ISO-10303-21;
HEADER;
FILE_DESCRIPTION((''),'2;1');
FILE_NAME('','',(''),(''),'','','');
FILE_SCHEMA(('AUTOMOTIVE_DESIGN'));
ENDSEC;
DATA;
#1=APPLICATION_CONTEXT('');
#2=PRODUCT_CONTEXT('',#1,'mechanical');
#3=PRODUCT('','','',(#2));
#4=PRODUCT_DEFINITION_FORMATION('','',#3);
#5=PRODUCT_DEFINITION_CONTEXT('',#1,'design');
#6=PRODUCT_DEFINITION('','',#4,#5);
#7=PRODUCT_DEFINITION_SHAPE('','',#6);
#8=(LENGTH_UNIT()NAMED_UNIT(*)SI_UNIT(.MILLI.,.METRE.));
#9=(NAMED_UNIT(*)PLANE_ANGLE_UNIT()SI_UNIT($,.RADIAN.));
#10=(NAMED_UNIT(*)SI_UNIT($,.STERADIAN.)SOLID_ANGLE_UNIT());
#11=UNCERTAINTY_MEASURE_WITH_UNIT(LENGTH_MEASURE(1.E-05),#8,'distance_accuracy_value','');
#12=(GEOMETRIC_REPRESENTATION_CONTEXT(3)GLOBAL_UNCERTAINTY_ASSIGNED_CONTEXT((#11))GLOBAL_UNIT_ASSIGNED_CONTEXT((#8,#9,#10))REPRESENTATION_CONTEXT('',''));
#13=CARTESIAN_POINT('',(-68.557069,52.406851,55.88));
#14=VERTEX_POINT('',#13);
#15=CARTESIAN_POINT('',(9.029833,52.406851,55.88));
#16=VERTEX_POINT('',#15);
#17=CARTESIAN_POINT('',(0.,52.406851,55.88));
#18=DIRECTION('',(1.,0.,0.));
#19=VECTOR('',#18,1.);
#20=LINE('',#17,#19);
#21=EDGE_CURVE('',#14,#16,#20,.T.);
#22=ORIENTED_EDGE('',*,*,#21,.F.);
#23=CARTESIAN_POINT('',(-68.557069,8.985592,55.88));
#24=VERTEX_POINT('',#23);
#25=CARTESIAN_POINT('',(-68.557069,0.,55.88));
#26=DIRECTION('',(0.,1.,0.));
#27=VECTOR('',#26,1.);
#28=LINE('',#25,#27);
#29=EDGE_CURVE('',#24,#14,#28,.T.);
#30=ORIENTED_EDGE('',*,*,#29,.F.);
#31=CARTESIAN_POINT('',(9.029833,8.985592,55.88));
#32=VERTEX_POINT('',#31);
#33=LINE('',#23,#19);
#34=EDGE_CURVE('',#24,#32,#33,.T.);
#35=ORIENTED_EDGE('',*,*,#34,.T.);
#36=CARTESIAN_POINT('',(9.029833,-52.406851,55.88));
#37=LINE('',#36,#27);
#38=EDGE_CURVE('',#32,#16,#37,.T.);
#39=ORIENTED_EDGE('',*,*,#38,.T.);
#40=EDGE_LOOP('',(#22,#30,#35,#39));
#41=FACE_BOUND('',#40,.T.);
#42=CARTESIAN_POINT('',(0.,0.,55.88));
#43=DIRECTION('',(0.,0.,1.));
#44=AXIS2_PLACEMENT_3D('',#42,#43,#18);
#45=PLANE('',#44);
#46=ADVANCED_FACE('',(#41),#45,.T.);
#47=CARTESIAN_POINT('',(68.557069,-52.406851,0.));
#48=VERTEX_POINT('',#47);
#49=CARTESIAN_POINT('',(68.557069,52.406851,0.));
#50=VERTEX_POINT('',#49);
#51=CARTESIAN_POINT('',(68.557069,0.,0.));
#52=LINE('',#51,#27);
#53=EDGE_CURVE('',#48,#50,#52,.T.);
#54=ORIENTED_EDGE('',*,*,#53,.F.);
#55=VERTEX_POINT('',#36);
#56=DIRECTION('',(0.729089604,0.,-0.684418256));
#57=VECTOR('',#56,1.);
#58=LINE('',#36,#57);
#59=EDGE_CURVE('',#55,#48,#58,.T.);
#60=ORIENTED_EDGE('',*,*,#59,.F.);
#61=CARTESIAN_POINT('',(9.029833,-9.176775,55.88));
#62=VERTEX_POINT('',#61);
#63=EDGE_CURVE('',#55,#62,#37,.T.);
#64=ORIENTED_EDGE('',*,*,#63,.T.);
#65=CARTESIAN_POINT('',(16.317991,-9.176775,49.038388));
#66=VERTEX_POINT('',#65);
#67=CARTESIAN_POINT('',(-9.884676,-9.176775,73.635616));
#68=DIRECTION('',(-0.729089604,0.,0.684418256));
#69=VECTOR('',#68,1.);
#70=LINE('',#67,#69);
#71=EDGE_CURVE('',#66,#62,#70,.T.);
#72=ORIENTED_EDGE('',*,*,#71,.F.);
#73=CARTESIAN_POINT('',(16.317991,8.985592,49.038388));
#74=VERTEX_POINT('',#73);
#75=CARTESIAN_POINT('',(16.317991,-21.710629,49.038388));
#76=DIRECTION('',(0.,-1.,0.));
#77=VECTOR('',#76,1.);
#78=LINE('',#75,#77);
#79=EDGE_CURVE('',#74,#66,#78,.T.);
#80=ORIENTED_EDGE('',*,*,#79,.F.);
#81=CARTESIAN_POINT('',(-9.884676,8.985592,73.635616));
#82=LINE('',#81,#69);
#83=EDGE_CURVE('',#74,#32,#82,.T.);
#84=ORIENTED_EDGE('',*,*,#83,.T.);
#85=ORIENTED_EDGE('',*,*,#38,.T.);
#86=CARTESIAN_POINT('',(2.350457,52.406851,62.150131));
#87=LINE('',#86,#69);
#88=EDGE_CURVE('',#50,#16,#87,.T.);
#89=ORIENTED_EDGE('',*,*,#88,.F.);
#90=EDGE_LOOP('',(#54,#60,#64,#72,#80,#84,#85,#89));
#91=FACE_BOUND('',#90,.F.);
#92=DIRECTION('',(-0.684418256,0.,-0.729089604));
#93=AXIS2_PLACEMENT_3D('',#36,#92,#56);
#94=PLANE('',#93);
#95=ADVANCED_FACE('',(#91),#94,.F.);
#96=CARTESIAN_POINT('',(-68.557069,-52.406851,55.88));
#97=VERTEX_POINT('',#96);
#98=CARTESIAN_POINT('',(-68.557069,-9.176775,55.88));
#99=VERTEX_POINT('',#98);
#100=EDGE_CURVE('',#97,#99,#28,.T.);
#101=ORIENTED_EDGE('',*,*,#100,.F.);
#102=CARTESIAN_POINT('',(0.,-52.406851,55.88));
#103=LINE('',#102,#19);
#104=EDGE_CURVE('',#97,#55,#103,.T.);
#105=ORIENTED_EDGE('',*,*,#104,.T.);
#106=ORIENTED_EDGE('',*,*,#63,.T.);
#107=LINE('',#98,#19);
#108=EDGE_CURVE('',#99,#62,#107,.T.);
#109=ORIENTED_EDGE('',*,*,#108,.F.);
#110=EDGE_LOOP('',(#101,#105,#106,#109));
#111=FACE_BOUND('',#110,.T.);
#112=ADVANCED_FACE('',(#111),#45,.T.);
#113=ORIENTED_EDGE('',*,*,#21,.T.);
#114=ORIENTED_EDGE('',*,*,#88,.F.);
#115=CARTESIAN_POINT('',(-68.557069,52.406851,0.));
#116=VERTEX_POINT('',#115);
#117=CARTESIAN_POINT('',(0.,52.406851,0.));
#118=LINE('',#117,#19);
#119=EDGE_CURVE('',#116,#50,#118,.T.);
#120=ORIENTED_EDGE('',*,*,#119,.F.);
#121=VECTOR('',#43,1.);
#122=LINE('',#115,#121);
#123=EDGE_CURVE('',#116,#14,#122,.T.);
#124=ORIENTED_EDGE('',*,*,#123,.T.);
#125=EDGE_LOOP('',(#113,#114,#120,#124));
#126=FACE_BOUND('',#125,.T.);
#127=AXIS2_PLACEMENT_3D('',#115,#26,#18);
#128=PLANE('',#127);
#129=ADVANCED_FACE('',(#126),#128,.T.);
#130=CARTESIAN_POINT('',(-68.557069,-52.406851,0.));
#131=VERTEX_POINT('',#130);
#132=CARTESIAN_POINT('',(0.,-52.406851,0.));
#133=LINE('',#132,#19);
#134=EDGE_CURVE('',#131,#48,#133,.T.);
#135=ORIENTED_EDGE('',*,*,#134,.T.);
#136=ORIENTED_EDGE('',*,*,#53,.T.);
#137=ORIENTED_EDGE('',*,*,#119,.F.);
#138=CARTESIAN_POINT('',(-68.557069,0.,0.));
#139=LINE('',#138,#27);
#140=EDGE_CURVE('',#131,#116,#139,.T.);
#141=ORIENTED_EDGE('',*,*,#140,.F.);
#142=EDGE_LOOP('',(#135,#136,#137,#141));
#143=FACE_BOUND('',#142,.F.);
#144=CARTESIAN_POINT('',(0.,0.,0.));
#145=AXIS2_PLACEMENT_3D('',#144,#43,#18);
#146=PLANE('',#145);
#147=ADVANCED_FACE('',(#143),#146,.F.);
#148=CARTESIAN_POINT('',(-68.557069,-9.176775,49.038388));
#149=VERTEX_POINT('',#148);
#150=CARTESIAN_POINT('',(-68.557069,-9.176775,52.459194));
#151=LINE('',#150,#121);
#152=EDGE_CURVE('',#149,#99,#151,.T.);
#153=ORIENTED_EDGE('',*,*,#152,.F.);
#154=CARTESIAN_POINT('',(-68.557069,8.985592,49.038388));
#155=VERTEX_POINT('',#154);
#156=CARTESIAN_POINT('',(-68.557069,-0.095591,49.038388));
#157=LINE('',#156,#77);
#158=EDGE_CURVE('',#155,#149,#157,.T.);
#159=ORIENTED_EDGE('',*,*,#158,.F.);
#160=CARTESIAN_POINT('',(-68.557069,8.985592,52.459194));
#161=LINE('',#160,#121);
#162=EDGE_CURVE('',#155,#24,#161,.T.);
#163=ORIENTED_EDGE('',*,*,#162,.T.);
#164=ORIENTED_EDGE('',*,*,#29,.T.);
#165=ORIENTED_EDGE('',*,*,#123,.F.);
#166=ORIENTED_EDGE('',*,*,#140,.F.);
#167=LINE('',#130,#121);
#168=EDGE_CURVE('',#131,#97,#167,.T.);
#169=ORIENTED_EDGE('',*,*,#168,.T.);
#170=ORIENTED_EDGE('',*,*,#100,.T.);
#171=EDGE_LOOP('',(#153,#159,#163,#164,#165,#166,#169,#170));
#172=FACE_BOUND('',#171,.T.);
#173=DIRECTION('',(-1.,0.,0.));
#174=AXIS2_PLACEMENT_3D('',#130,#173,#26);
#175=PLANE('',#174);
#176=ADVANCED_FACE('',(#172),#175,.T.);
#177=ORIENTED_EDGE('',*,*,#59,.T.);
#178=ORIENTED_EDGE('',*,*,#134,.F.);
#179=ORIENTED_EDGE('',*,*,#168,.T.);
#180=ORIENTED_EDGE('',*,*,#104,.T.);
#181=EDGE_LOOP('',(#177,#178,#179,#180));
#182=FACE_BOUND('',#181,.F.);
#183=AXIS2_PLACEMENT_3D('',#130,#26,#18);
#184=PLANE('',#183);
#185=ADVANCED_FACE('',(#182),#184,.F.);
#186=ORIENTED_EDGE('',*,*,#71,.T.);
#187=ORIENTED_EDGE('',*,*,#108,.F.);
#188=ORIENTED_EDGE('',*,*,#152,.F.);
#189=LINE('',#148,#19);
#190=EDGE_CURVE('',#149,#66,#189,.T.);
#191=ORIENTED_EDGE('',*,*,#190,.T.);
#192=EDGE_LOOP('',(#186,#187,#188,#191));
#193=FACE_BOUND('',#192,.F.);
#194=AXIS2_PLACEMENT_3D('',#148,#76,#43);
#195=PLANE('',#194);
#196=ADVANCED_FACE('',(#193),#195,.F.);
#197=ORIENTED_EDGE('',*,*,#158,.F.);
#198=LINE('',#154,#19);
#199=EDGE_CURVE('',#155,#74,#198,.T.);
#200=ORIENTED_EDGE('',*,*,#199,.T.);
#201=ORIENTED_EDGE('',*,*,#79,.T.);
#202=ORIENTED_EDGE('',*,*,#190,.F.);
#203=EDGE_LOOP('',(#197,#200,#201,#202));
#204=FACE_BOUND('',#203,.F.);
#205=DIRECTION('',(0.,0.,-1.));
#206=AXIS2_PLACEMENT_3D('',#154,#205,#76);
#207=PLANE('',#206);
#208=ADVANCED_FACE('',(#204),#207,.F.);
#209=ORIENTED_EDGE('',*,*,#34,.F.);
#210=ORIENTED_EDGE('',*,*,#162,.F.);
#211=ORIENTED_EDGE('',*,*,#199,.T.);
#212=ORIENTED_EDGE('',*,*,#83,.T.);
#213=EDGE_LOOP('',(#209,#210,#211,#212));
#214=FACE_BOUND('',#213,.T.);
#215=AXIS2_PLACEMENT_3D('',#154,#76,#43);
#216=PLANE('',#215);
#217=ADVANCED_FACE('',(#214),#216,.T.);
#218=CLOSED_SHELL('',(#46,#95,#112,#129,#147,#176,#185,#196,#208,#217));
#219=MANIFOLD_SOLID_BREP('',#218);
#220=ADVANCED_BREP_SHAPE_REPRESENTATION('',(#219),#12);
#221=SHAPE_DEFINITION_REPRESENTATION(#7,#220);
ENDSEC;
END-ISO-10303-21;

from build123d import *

# Parameters (mm, degrees)
F0_W     = 137.114138
F0_H     = 104.813702
F1_DEPTH = 55.88
F3_DEPTH = 104.814702
F4_W     = 18.162367
F4_H     = 6.841612
F5_DEPTH = 137.115137


with BuildPart() as f1:
    # F0 (on Top) → F1 (new body)
    with BuildSketch(Plane.XY):
        Rectangle(F0_W, F0_H)
    extrude(amount=F1_DEPTH)

    # F2 (on face) → F3 (cut, through all)
    with BuildSketch(Plane.XZ.offset(52.406851)):
        Polygon((68.557069, 0), (68.557069, 55.88), (9.029833, 55.88), align=None)
    extrude(amount=-F3_DEPTH, mode=Mode.SUBTRACT)

    # F4 (on face) → F5 (cut, through all)
    with BuildSketch(Plane(origin=(-68.557069, 0, 0), x_dir=(0, -1, 0), z_dir=(-1, 0, 0))):
        with Locations((0.095591, 52.459194)):
            Rectangle(F4_W, F4_H)
    extrude(amount=-F5_DEPTH, mode=Mode.SUBTRACT)


solid = f1.part
